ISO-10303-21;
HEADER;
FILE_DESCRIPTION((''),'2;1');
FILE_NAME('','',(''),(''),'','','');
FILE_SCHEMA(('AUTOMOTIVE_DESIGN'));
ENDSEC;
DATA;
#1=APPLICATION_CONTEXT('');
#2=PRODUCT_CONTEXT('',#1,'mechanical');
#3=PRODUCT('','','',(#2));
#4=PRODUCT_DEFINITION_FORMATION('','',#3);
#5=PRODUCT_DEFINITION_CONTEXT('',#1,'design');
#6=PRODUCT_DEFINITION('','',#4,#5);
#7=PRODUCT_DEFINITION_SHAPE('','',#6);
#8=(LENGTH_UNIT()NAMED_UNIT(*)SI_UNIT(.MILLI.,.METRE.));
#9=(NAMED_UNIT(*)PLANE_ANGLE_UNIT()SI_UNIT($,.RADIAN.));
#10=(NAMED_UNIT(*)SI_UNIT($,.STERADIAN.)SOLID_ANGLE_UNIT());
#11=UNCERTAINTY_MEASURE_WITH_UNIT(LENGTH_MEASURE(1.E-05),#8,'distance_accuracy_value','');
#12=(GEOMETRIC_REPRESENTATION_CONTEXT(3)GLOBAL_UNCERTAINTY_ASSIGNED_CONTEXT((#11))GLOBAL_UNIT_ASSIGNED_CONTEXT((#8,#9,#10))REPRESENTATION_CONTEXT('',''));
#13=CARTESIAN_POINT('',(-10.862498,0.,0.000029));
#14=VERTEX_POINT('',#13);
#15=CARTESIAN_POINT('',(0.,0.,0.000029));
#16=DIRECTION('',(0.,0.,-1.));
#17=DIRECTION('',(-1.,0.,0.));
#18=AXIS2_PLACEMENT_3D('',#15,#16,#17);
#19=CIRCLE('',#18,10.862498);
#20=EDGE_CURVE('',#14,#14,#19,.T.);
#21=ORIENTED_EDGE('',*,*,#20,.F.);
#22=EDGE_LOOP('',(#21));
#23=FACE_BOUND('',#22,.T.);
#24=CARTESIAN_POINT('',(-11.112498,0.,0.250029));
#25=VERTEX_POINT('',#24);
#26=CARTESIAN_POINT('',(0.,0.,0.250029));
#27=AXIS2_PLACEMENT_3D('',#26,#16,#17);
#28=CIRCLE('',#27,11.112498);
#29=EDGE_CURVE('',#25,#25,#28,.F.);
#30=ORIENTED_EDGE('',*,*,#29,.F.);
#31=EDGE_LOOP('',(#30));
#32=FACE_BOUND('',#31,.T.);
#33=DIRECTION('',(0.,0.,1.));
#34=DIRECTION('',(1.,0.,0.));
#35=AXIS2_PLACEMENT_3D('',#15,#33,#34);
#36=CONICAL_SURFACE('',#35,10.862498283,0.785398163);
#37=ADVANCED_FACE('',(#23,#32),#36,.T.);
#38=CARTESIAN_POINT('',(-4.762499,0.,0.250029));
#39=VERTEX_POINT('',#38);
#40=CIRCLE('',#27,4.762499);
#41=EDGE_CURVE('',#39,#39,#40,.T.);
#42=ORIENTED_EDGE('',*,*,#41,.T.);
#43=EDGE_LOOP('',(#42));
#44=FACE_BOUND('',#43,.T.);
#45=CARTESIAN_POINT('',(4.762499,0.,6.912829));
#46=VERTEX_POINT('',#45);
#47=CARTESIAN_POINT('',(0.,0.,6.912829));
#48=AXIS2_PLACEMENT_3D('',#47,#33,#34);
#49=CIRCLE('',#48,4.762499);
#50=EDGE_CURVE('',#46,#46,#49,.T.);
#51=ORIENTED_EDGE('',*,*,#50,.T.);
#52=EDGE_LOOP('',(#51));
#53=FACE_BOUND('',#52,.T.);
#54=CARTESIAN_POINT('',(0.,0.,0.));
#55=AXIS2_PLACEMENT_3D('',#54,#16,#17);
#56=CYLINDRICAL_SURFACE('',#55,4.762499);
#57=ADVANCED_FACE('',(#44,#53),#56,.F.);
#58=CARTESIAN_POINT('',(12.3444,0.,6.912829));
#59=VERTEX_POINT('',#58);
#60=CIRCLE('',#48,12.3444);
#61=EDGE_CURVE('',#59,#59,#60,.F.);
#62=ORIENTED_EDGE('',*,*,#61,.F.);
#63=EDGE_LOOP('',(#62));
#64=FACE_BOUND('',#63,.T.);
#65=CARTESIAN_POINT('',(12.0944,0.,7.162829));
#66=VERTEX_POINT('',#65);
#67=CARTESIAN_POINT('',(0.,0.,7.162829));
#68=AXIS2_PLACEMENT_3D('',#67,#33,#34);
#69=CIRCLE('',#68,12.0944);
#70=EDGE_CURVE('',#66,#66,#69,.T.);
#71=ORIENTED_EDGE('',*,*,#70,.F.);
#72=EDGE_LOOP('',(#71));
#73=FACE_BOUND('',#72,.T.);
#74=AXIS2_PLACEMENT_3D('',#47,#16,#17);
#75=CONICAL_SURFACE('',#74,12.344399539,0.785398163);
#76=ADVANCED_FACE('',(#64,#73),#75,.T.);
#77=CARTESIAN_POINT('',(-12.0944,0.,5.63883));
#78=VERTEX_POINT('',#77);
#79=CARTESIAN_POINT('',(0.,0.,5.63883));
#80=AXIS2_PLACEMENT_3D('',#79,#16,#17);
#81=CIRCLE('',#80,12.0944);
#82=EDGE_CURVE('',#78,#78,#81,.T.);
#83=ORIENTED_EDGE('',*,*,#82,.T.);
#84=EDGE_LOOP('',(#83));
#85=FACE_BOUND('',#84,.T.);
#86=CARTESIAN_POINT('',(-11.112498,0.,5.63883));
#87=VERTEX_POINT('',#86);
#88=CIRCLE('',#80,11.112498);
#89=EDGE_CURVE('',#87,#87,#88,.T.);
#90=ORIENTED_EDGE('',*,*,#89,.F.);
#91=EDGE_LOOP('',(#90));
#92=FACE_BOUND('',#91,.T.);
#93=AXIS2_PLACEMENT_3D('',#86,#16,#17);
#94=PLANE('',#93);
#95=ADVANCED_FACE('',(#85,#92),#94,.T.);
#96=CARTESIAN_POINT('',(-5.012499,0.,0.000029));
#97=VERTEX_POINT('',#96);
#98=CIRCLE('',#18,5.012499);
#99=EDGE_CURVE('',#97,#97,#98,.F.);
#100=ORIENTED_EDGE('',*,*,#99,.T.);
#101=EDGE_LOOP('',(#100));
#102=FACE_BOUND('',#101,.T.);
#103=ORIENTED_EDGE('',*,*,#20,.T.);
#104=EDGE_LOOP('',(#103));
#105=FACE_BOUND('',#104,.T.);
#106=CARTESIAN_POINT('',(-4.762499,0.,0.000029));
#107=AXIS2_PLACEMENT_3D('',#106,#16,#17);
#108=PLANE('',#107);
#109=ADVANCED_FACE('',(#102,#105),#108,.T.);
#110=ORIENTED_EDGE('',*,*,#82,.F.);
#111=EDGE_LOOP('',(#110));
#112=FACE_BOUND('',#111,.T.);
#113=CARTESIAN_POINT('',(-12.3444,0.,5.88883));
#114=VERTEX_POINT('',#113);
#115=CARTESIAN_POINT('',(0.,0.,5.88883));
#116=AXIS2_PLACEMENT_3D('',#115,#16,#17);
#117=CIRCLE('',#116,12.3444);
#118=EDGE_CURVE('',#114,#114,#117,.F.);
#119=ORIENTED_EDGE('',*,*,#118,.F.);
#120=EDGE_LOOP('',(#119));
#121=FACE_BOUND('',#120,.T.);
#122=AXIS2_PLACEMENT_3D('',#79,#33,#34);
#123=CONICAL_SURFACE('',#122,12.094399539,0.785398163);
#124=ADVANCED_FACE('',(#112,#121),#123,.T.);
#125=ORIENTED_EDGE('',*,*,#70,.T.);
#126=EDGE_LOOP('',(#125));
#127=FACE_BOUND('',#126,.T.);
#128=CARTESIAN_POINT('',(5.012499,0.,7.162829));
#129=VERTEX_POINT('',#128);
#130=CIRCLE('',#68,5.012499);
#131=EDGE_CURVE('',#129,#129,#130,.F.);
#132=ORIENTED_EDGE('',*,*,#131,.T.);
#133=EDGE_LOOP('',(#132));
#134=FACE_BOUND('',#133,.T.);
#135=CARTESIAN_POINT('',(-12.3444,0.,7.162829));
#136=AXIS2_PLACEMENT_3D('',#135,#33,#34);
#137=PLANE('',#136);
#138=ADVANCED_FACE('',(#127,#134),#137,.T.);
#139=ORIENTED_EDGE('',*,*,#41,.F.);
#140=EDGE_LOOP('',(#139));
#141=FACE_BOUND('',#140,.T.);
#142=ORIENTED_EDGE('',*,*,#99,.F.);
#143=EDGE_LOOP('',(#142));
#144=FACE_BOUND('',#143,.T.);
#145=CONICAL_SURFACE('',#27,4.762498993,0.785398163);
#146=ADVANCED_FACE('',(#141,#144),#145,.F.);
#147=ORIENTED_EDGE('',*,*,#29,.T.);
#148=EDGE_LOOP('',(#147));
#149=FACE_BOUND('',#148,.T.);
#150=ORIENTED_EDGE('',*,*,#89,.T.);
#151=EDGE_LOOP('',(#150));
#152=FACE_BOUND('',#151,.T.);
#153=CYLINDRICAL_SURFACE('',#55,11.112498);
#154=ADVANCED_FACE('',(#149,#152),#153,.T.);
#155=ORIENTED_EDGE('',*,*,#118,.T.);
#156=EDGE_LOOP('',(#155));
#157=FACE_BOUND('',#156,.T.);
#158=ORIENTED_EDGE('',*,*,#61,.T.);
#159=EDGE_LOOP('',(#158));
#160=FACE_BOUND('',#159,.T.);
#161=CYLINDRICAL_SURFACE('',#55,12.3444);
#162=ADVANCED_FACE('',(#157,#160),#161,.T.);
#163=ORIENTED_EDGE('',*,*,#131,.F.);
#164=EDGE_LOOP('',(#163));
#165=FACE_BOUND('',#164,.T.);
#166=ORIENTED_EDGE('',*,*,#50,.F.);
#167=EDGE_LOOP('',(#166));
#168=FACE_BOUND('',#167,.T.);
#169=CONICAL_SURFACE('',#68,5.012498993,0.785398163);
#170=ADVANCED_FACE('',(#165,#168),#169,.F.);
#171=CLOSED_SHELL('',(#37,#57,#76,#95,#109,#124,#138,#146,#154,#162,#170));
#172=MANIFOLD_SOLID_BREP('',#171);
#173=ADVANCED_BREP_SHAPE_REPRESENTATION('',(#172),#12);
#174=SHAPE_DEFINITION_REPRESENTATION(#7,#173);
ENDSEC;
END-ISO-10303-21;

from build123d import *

# Parameters (mm, degrees)
CHAMFER1_SIZE = 0.25


with BuildPart() as part:
    # Sketch2 → Revolve1 (revolve)
    with BuildSketch(Plane(origin=(0, 0, 0), x_dir=(1, 0, 0), z_dir=(0, 1, 0))):
        Polygon((-4.762498993, -2.9131e-05), (-11.112498283, -2.9131e-05), (-11.112498283, -5.638830007), (-12.344399539, -5.638830007), (-12.344399539, -7.162829152), (-4.762498993, -7.162829152), align=None)
    revolve(axis=Axis((0, 0, 0), (0, 0, 1)))

    # Chamfer1
    chamfer1_edges = [part.edges().sort_by_distance(p)[0] for p in [
        (11.112498283, 0, 2.9131e-05),
        (4.762498993, 0, 2.9131e-05),
        (4.762498993, 0, 7.162829152),
        (12.344399539, 0, 7.162829152),
        (12.344399539, 0, 5.638830007),
    ]]
    chamfer(chamfer1_edges, length=CHAMFER1_SIZE)


solid = part.part
